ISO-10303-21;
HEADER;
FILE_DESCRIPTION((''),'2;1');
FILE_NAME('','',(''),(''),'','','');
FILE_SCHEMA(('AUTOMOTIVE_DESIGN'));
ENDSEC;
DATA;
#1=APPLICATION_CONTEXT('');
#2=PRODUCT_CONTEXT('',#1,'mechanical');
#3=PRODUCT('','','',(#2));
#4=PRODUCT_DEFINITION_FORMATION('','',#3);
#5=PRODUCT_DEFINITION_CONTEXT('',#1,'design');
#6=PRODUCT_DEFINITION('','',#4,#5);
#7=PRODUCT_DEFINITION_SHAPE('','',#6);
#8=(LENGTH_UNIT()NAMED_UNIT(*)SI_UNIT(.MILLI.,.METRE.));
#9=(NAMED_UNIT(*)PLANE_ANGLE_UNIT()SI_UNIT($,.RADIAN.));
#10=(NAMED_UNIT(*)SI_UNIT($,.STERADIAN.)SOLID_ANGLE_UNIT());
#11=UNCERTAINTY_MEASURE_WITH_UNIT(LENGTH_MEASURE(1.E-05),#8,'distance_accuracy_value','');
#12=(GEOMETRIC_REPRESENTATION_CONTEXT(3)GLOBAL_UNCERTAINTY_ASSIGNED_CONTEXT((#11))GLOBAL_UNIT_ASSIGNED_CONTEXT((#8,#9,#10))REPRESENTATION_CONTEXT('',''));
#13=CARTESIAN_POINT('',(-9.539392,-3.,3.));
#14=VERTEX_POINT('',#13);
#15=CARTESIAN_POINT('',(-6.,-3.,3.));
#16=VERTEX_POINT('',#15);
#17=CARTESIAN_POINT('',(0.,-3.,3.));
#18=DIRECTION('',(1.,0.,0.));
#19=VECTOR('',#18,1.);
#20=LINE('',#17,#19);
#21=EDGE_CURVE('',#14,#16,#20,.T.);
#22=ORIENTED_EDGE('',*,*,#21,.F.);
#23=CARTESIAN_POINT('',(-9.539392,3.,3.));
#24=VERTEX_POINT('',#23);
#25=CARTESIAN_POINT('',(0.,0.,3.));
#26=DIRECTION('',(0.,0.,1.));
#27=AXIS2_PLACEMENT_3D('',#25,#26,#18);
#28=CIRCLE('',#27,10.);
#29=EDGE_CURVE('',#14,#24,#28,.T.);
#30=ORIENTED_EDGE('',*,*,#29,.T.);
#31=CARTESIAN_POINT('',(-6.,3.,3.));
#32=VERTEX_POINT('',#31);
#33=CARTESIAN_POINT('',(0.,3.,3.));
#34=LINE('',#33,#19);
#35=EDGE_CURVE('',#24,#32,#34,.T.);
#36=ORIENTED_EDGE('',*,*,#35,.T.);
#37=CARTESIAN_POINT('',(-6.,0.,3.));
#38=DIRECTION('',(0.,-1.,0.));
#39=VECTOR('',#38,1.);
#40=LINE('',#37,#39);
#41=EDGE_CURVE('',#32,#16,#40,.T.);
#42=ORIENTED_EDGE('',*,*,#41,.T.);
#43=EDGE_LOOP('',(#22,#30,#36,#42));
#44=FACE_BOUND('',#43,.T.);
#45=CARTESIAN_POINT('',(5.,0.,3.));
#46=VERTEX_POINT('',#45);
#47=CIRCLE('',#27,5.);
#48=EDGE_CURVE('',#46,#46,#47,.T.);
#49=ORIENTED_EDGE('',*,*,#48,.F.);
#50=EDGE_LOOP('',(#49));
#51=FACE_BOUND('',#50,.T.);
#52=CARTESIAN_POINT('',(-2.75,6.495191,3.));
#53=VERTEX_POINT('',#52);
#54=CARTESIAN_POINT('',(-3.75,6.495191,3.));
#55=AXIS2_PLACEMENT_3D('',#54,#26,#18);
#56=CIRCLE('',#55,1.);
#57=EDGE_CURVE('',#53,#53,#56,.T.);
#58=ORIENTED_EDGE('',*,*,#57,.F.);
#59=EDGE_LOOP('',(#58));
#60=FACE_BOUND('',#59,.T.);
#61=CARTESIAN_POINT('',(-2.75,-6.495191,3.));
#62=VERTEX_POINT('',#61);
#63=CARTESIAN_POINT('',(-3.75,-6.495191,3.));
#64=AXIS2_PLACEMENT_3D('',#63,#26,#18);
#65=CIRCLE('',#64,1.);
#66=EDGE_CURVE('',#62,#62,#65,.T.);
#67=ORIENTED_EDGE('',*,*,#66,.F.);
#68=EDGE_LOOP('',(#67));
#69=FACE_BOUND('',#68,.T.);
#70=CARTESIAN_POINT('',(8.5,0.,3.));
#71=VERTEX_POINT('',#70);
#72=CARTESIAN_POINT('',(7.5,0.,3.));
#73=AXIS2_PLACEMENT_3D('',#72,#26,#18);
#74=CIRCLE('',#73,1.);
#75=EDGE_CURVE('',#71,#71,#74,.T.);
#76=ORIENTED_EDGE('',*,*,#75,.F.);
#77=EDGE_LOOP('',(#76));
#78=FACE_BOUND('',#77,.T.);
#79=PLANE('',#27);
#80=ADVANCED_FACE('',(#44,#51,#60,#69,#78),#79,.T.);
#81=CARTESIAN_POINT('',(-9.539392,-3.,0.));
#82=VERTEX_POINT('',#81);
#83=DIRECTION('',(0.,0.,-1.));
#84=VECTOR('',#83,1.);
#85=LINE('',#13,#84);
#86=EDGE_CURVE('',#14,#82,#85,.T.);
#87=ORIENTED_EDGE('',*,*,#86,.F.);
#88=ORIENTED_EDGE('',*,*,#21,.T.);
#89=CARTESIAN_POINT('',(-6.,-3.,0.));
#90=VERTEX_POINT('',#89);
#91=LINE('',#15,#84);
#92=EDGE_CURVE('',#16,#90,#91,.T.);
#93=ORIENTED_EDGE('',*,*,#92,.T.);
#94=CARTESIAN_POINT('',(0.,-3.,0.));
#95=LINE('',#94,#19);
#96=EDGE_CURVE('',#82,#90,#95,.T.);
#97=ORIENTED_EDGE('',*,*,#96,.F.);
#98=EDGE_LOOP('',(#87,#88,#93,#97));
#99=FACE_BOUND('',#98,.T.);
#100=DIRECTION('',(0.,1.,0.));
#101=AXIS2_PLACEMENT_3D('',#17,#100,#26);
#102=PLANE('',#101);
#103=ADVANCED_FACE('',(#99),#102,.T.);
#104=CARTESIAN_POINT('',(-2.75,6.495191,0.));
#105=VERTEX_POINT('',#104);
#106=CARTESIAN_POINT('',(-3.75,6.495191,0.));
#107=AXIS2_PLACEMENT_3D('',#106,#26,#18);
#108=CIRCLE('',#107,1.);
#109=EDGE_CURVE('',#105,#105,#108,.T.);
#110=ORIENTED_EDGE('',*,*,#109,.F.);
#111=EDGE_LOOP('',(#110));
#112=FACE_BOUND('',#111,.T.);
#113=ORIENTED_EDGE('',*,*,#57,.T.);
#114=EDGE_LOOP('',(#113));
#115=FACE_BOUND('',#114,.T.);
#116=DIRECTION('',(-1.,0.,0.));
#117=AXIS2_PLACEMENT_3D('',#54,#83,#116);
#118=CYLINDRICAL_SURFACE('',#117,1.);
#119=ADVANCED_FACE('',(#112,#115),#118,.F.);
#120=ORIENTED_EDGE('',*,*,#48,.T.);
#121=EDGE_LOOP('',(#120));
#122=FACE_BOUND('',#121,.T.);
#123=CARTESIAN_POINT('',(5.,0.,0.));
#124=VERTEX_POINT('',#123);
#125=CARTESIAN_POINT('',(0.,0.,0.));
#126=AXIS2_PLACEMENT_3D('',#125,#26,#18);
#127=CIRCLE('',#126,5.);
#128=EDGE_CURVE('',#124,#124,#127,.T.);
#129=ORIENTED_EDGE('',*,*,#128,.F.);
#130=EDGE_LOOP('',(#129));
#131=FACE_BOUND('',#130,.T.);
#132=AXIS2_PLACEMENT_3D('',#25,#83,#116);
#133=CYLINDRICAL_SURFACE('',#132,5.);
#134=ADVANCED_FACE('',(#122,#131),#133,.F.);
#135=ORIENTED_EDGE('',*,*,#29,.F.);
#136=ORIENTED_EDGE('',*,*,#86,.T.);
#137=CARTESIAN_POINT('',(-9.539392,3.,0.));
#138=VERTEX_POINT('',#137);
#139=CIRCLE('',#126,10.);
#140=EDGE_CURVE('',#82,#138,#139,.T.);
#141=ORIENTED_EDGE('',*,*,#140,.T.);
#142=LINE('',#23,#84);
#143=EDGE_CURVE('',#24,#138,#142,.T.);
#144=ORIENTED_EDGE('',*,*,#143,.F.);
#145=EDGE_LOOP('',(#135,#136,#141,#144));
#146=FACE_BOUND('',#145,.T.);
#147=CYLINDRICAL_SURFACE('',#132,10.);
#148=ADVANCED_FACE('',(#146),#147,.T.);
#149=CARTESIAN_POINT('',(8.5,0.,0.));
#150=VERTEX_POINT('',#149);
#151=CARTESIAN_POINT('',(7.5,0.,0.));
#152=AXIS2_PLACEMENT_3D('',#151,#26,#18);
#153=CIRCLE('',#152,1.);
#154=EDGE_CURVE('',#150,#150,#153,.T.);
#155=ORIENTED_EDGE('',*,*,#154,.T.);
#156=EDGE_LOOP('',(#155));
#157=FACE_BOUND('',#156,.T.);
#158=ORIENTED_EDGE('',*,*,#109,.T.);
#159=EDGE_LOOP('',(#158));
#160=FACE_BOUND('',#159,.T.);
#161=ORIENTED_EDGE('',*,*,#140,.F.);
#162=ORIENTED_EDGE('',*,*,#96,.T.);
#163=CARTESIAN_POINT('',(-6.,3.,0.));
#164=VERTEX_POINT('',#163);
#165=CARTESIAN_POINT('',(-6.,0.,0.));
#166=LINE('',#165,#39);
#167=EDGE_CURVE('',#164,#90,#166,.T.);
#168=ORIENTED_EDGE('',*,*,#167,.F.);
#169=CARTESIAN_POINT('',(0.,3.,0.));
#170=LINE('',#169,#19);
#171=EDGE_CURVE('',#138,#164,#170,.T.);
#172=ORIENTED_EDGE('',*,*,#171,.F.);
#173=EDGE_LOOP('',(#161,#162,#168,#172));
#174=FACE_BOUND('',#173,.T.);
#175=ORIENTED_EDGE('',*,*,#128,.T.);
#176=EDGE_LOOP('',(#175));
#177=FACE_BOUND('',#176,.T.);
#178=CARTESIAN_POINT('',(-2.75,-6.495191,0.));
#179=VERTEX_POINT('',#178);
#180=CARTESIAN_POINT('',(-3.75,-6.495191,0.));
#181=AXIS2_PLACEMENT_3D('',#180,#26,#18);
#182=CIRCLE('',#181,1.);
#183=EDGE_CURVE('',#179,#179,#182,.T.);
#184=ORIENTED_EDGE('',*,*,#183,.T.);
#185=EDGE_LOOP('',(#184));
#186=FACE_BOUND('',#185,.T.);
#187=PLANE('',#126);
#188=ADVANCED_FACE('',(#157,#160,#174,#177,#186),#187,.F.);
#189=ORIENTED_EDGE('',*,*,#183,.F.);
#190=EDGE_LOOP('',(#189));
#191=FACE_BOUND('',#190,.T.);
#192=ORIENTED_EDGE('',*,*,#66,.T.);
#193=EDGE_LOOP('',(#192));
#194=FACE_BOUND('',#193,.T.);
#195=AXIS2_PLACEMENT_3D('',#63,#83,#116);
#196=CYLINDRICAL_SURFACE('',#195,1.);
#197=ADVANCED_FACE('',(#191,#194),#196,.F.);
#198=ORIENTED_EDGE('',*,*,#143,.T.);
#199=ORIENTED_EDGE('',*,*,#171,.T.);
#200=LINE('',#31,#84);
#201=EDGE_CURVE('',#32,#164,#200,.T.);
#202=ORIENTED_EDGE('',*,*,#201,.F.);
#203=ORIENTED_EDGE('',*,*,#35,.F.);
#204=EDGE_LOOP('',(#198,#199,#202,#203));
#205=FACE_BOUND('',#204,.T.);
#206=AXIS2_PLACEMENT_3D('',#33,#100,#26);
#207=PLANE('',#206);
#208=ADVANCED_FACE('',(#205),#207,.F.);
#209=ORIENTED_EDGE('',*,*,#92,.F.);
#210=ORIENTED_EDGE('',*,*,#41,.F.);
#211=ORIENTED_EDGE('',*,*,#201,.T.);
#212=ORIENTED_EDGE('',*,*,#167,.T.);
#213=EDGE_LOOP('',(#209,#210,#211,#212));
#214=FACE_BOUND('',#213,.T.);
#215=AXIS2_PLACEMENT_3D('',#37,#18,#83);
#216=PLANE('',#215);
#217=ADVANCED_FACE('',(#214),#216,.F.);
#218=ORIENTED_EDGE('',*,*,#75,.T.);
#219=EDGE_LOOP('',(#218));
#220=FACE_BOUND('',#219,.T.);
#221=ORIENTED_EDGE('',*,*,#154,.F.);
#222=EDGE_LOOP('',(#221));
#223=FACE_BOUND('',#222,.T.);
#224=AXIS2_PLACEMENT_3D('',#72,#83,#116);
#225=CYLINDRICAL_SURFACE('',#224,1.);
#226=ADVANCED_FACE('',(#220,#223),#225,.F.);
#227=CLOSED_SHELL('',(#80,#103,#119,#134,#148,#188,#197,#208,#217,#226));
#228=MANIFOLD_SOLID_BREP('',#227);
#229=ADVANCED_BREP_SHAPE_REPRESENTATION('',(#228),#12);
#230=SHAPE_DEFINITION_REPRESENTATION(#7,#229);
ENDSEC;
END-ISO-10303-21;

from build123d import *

# Parameters (mm, degrees)
CROQUIS1_R              = 1
CROQUIS1_R_2            = 5
SALIENTE_EXTRUIR1_DEPTH = 3


with BuildPart() as part:
    # Croquis1 → Saliente-Extruir1 (new body)
    with BuildSketch(Plane.XY):
        with BuildLine():
            Line((-9.539392014, 3), (-6, 3))
            Line((-6, 3), (-6, -3))
            Line((-6, -3), (-9.539392014, -3))
            ThreePointArc((-9.539392014, -3), (10, 0), (-9.539392014, 3))
        make_face()
        with Locations((-3.75, -6.495190528)):
            Circle(CROQUIS1_R, mode=Mode.SUBTRACT)
        with Locations((7.5, 0)):
            Circle(CROQUIS1_R, mode=Mode.SUBTRACT)
        Circle(CROQUIS1_R_2, mode=Mode.SUBTRACT)
        with Locations((-3.75, 6.495190528)):
            Circle(CROQUIS1_R, mode=Mode.SUBTRACT)
    extrude(amount=SALIENTE_EXTRUIR1_DEPTH)


solid = part.part
